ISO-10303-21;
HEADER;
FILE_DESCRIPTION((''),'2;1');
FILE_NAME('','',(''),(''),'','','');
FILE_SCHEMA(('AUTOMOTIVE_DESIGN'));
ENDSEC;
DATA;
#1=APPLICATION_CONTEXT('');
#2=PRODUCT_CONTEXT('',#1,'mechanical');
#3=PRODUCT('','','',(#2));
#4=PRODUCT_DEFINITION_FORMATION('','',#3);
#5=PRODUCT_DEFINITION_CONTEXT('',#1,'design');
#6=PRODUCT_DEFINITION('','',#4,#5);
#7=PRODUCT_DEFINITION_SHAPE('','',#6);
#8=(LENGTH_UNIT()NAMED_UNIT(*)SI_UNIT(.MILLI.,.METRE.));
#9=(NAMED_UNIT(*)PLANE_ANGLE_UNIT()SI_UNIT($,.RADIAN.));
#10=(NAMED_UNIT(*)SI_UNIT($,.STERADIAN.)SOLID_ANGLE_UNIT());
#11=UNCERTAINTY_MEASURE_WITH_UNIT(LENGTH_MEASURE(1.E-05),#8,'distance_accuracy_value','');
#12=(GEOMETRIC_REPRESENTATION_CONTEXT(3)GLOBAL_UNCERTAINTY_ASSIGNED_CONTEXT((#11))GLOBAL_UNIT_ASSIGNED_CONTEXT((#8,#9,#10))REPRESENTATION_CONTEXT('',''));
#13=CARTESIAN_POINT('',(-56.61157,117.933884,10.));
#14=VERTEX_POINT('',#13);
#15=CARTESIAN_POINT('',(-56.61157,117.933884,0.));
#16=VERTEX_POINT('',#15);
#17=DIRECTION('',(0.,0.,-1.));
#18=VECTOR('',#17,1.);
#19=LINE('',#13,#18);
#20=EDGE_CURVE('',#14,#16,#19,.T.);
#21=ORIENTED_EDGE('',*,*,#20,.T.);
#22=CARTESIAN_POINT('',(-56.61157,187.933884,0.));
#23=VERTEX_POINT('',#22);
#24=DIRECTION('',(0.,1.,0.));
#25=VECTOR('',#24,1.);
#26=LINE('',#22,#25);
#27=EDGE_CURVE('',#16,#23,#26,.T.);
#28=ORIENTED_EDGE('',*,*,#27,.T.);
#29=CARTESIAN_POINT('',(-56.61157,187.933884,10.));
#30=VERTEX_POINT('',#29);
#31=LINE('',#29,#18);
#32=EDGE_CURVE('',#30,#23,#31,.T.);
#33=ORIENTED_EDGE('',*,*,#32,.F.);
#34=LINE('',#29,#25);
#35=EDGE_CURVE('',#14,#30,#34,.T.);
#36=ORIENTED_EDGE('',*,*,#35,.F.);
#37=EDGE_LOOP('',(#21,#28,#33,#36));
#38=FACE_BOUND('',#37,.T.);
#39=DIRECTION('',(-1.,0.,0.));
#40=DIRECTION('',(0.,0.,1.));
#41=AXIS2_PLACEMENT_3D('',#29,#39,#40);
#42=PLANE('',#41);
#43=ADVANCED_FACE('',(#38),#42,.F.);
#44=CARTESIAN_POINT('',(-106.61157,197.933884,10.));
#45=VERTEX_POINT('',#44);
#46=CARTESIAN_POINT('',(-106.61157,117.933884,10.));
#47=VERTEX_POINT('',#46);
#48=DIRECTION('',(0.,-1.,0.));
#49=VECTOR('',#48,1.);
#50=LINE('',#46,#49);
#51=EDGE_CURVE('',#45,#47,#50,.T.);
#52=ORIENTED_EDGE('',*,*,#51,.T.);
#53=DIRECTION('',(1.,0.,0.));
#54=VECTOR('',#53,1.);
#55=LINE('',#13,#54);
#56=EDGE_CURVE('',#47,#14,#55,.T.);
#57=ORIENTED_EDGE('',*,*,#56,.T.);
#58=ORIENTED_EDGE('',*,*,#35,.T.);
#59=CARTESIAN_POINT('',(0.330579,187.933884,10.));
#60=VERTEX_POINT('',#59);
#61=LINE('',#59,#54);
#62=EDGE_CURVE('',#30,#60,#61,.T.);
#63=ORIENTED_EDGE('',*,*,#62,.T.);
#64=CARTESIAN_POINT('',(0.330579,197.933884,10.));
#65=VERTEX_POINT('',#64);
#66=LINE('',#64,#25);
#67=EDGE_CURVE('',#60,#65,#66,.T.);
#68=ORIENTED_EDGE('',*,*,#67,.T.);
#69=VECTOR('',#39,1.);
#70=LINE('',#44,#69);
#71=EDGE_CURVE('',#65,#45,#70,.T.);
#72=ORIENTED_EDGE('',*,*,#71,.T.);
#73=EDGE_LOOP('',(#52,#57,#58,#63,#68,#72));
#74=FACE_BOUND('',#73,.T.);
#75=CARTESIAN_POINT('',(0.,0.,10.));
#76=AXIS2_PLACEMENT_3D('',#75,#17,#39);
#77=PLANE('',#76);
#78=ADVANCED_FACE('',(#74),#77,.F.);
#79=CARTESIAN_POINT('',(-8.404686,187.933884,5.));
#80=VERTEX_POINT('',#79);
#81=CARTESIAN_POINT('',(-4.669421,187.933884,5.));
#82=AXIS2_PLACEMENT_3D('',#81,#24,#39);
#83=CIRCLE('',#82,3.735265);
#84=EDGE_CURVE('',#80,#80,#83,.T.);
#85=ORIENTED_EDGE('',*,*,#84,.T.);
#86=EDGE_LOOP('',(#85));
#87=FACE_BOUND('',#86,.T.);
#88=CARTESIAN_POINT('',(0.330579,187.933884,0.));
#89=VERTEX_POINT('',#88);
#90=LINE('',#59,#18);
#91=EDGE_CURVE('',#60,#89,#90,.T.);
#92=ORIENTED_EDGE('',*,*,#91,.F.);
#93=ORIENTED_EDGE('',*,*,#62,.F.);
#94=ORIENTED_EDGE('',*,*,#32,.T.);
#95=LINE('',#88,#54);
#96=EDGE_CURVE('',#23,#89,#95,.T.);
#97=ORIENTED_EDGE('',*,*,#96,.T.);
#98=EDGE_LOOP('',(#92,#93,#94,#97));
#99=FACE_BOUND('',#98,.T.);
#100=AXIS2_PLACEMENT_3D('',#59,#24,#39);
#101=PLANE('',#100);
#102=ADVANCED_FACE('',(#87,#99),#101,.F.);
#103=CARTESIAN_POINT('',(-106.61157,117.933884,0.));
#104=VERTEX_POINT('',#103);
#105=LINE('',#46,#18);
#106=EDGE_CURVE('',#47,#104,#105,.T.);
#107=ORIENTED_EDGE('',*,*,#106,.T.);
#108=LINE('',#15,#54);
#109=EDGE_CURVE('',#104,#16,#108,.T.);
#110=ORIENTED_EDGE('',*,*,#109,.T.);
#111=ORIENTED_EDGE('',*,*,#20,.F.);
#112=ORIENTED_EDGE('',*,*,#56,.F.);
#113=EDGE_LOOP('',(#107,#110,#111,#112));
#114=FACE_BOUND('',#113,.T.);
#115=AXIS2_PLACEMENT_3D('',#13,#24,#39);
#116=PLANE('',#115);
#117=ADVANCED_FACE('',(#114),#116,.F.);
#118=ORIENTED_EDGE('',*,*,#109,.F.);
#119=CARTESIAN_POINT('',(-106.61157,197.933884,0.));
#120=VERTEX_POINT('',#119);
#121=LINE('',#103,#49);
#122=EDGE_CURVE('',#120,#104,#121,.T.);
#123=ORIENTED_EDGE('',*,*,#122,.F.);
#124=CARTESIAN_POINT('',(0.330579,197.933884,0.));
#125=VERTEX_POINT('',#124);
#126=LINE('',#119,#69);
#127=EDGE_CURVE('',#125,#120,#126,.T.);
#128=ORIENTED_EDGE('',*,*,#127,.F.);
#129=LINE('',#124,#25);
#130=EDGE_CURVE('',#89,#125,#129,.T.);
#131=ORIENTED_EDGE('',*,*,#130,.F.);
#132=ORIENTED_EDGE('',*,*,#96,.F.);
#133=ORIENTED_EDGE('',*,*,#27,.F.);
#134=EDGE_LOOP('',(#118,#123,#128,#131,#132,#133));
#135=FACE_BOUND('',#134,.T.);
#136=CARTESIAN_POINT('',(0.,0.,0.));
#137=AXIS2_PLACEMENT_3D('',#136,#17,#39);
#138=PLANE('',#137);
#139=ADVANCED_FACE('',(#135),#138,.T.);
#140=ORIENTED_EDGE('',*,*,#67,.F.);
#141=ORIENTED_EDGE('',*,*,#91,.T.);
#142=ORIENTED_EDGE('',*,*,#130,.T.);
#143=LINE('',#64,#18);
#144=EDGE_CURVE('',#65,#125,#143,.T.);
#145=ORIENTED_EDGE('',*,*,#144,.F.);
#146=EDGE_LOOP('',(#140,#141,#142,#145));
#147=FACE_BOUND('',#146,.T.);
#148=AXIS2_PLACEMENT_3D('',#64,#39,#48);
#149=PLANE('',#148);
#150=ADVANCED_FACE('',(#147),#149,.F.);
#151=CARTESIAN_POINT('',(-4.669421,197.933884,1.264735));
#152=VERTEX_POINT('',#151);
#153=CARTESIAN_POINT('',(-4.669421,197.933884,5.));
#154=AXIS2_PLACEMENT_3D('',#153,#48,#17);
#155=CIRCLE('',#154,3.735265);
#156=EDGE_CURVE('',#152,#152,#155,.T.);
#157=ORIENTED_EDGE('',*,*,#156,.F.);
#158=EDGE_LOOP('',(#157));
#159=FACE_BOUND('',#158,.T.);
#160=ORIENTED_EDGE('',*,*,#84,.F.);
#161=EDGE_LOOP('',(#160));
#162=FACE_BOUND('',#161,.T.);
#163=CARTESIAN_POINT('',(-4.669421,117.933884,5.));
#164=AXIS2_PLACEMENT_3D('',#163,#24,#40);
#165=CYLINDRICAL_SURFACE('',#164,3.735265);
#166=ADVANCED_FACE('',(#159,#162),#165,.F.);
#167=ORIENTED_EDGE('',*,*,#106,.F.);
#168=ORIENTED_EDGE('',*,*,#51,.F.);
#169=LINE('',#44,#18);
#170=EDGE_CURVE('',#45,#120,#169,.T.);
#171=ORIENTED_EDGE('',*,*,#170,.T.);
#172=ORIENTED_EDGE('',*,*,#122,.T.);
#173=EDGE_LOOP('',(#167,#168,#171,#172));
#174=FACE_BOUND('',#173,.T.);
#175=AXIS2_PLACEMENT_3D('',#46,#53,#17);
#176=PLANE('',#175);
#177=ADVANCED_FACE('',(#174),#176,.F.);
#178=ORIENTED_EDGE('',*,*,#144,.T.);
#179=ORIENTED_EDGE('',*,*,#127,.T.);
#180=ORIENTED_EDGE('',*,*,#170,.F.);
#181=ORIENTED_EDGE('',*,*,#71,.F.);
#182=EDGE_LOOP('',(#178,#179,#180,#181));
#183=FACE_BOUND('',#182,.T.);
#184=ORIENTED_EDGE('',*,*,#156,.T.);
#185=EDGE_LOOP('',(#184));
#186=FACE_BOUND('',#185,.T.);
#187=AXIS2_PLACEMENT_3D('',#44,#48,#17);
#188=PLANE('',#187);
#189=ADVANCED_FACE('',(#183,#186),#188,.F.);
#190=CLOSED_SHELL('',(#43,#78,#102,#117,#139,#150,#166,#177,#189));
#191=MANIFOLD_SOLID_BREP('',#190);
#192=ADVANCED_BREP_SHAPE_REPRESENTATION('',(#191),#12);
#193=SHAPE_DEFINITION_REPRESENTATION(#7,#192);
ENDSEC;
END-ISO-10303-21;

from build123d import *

# Parameters (mm, degrees)
BOSS_EXTRUDE1_DEPTH     = 10
CUT_EXTRUDE1_DEPTH      = 134.663857908
CUT_EXTRUDE1_DEPTH_BACK = 134.663857908
SKETCH2_R               = 3.735264888


with BuildPart() as part:
    # Sketch1 → Boss-Extrude1 (new body)
    with BuildSketch(Plane.XY):
        Polygon((0.330578512, 197.933884298), (0.330578512, 187.933884298), (-56.611570248, 187.933884298), (-56.611570248, 117.933884298), (-106.611570248, 117.933884298), (-106.611570248, 197.933884298), align=None)
    extrude(amount=BOSS_EXTRUDE1_DEPTH)

    # Sketch2 → Cut-Extrude1 (cut, two sides: drawn at the far end of the back side and taken through both)
    with BuildSketch(Plane(origin=(0, 197.933884298, 0), x_dir=(1, 0, 0), z_dir=(0, 1, 0)).offset(-CUT_EXTRUDE1_DEPTH_BACK)):
        with Locations(Location((-4.669421488, -5, 0), (0, 0, 180))):
            Circle(SKETCH2_R)
    extrude(amount=CUT_EXTRUDE1_DEPTH + CUT_EXTRUDE1_DEPTH_BACK, mode=Mode.SUBTRACT)


solid = part.part
